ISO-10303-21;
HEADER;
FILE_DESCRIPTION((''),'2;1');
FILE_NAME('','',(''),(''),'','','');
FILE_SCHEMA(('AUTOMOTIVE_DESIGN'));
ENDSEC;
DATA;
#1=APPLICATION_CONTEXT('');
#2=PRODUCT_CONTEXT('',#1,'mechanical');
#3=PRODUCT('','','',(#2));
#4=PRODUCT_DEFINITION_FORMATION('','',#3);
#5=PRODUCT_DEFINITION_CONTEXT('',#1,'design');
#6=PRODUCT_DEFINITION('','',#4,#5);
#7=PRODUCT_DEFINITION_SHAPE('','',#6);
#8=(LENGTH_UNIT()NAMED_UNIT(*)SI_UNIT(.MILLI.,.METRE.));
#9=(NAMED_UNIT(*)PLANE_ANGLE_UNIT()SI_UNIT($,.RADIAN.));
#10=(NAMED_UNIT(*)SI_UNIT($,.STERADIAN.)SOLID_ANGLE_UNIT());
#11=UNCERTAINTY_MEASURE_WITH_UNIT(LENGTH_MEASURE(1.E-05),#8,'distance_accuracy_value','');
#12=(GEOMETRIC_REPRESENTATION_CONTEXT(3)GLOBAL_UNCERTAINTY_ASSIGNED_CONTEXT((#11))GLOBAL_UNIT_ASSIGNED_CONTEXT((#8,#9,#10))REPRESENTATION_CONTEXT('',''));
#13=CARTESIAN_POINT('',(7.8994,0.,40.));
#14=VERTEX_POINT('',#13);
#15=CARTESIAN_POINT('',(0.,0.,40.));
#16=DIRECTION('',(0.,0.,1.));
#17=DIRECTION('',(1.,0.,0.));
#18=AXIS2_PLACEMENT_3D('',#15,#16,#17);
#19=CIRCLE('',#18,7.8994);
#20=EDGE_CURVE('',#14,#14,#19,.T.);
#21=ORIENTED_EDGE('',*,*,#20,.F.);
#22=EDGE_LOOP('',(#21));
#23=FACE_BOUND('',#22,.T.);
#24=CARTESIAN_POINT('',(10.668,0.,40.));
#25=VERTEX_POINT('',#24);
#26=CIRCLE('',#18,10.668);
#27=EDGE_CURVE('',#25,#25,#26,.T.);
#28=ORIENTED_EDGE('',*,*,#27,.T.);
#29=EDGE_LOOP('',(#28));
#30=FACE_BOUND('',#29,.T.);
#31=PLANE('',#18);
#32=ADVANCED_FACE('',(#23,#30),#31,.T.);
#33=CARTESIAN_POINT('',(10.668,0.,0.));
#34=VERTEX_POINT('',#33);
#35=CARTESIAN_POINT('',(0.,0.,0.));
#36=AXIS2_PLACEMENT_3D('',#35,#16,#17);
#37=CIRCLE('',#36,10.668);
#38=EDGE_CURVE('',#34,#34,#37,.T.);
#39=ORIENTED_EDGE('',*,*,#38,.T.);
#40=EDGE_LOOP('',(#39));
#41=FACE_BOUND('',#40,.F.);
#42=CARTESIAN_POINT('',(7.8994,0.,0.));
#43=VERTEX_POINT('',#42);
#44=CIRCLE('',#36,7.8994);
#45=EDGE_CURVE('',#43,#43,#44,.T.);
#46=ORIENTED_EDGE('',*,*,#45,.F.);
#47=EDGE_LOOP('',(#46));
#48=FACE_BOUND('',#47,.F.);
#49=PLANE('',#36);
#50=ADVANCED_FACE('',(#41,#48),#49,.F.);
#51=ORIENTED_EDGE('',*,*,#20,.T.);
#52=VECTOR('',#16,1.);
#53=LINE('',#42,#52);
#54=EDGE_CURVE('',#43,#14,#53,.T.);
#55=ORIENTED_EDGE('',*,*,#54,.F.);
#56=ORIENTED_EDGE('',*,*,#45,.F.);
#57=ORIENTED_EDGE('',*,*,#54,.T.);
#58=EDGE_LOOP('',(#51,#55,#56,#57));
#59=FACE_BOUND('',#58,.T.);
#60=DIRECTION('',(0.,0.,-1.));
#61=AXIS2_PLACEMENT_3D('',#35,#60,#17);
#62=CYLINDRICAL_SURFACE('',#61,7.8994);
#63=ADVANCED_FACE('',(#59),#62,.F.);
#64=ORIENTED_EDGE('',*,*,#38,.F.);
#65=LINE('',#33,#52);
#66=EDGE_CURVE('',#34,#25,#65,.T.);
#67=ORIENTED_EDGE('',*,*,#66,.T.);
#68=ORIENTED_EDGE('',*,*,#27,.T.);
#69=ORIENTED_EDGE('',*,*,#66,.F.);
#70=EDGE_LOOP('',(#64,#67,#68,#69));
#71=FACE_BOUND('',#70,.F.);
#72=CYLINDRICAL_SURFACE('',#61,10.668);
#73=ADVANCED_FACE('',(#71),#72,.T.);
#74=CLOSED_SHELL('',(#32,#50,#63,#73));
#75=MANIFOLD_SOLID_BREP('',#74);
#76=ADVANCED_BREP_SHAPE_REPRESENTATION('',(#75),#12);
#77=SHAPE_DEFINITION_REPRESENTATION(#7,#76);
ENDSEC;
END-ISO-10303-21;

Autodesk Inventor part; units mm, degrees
ref_plane "YZ Plane" through (0, 0, 0) normal (1, 0, 0) x (0, 1, 0)
ref_plane "Start Plane" through (0, 0, 0) normal (0, 0, 1) x (1, 0, 0)
ref_plane "End Plane" through (0, 0, 40) normal (0, 0, 1) x (1, 0, 0)
sketch "Sketch" plane through (0, 0, 0) normal (0, 0, 1) x (1, 0, 0)
  circle A0 centre (0, 0) radius 7.8994
  circle A1 centre (0, 0) radius 10.668
  dimension "d0" = 21.336
  dimension "d1" = 2.7686
extrude "Body" add sketch "Sketch" along normal up to surface (40 mm away) from surface at 0
sketch "Sketch3" plane through (0, 0, 0) normal (0, 0, 1) x (1, 0, 0)
  line L0 (0, 0) -> (10, 0)
ref_plane "Work Plane3" through (0, 0, 0) normal (0, -1, 0) x (1, 0, 0)
sketch "Sketch4" plane through (0, 0, 0) normal (0, -1, 0) x (1, 0, 0)
  line L0 (-2, 0) -> (12, 0) projected
  line L1 (-2, 40) -> (12, 40) projected
  dimension "d7" = 40
equation "\"d0\" = G_H"
equation "\"d1\" = G_T"
equation "\"d2\" = G_L"
equation "\"G_H\" = 21.336"
equation "\"G_T\" = 2.7686"
equation "\"G_L\" = d7"
equation "\"G_OFFSET_START\" = 0"
equation "\"G_OFFSET_END\" = 0"
equation "\"d5\" = G_OFFSET_END + B_L"
equation "\"B_L\" = 40"
properties part number "ANSI - 1/2 x 0.109 - 1.575" material "Steel, Mild"
